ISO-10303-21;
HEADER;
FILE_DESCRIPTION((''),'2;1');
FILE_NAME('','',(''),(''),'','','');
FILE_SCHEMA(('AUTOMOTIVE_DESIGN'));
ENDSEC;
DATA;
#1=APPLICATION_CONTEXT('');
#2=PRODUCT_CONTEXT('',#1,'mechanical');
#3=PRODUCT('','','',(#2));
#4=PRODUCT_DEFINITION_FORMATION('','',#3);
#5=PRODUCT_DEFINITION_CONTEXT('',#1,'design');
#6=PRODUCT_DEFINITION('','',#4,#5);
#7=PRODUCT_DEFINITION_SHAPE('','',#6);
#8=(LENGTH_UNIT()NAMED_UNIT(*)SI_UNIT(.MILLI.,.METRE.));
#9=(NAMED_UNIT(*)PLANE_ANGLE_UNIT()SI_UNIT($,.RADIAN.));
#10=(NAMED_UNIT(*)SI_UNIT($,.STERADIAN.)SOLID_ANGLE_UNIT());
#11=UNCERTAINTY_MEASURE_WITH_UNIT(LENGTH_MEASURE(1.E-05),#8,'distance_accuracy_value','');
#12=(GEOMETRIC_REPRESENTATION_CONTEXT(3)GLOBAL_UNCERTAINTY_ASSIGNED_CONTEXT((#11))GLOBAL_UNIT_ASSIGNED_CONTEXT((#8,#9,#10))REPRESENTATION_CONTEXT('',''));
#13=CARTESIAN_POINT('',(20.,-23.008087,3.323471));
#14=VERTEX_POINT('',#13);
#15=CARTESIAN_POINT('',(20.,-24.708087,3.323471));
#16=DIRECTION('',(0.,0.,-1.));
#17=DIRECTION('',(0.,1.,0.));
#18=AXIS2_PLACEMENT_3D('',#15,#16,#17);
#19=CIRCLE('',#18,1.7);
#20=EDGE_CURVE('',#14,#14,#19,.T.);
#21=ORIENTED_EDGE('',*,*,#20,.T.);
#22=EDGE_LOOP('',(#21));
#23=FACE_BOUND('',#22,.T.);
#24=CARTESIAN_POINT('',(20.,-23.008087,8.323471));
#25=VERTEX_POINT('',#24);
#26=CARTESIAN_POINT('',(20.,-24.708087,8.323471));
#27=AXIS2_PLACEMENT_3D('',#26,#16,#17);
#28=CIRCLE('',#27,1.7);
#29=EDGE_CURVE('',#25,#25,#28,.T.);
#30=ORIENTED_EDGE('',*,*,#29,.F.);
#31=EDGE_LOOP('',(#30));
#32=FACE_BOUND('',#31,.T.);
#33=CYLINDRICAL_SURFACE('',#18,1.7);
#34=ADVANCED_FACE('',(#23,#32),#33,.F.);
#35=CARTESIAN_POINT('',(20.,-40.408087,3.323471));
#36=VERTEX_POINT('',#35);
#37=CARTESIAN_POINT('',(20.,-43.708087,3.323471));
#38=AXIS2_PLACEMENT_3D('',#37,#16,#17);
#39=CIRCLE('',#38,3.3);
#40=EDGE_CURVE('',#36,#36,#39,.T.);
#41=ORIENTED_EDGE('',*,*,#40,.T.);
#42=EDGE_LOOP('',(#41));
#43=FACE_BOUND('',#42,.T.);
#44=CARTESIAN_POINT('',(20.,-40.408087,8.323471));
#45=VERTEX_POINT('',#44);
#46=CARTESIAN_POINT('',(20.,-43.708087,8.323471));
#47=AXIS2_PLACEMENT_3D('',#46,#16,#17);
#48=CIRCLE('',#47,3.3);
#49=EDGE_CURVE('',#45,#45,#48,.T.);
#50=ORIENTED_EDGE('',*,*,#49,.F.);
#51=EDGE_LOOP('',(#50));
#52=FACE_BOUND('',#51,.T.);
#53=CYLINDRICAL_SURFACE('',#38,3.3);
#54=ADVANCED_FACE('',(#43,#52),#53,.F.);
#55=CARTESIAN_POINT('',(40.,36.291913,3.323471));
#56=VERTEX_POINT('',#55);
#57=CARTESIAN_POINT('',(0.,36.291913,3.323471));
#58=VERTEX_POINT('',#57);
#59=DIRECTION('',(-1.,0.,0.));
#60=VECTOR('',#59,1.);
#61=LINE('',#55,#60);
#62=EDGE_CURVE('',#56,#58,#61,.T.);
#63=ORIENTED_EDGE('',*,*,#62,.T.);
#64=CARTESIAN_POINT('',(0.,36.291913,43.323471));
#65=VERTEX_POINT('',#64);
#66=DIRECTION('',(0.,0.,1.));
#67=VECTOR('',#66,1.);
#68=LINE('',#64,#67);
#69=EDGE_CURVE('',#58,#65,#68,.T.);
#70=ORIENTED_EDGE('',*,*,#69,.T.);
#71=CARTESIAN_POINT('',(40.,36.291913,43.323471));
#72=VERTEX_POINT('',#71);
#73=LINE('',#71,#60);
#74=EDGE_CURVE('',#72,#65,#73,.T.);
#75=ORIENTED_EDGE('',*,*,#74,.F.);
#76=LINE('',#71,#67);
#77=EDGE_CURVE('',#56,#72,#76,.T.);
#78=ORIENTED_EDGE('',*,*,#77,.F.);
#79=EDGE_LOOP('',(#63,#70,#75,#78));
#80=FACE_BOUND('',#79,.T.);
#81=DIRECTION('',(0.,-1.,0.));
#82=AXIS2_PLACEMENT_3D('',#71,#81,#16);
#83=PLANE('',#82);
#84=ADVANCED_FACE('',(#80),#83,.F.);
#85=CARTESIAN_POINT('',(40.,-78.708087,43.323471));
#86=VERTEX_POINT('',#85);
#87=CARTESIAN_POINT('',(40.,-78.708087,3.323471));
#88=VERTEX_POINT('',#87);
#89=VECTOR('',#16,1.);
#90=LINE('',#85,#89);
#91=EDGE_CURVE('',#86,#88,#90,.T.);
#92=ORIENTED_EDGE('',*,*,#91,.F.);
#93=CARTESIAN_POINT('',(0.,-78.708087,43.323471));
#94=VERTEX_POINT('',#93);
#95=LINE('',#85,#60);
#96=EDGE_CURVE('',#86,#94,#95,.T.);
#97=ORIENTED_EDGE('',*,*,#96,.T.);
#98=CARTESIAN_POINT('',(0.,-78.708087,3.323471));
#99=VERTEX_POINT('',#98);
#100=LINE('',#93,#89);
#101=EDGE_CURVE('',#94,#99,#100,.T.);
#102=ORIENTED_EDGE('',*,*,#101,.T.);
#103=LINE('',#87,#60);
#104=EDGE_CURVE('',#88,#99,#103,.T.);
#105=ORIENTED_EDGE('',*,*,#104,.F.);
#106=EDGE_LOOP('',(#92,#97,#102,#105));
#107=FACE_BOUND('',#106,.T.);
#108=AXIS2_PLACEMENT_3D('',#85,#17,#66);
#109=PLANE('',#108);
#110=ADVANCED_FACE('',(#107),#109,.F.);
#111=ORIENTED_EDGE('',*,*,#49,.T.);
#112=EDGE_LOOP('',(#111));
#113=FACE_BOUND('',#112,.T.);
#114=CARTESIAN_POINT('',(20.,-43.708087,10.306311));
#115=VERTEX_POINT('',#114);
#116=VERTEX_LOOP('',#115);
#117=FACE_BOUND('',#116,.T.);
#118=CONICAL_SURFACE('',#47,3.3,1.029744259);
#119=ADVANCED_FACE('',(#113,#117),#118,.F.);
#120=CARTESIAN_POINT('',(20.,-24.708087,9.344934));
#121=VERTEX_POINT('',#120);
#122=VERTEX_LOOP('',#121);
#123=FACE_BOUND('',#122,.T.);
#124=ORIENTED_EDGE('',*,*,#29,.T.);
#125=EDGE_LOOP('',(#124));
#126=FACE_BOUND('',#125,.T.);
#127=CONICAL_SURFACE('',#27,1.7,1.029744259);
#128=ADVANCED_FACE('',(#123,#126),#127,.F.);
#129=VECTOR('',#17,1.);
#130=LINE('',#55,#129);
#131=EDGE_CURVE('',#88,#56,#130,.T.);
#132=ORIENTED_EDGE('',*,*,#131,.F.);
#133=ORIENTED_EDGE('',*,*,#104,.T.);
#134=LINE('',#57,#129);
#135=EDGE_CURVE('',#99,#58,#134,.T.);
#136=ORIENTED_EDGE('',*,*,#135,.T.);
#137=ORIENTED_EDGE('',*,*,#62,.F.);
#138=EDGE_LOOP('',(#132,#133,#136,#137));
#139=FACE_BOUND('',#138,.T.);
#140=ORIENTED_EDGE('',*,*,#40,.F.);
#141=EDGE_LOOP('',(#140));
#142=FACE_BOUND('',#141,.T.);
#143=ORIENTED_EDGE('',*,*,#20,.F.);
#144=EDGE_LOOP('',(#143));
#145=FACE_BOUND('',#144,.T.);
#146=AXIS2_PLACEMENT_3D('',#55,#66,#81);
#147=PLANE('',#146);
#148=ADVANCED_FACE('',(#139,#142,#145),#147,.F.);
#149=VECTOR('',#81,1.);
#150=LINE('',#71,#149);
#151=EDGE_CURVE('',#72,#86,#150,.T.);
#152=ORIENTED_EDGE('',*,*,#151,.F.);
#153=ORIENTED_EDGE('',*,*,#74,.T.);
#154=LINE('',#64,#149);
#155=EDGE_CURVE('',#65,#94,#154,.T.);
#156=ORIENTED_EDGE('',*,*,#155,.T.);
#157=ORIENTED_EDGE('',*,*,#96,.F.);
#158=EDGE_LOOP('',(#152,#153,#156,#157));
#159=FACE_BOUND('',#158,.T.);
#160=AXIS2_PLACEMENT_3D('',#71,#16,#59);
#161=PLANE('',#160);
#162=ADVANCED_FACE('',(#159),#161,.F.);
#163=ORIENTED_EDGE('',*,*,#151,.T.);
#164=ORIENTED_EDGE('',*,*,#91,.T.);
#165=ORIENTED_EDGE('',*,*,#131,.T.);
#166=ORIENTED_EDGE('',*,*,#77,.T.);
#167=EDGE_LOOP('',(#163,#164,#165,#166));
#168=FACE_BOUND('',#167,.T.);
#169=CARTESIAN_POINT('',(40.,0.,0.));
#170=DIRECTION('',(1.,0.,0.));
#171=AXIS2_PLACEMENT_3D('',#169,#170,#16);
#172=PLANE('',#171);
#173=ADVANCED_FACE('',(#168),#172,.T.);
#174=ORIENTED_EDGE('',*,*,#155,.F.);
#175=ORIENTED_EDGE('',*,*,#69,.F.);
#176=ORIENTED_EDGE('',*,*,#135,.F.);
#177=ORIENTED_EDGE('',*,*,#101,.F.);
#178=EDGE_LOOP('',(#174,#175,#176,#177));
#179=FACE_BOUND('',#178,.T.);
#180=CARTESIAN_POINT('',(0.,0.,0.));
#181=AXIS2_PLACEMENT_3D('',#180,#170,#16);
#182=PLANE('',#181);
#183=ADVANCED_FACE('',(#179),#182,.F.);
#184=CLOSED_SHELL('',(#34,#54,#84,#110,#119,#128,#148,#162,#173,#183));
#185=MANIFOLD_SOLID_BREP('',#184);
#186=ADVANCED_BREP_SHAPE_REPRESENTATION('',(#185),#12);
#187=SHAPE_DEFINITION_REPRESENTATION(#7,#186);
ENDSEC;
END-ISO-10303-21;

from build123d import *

# Parameters (mm, degrees)
SKETCH_1_W            = 40
SKETCH_1_H            = 115
EXTRUDE_1_DEPTH       = 40
HOLE_WIZARD_M31_D     = 3.4
HOLE_WIZARD_M31_DEPTH = 5
HOLE_WIZARD_M31_TIP   = 1.021463052
HOLE_WIZARD_M61_D     = 6.6
HOLE_WIZARD_M61_DEPTH = 5
HOLE_WIZARD_M61_TIP   = 1.982840043


with BuildPart() as part:
    # Эскиз1 → Бобышка-Вытянуть1 (new body)
    with BuildSketch(Plane(origin=(0, 0, 0), x_dir=(0, 0, -1), z_dir=(1, 0, 0))):
        with Locations((-23.3234714, -21.208086785)):
            Rectangle(SKETCH_1_W, SKETCH_1_H)
    extrude(amount=EXTRUDE_1_DEPTH)

    # Отверстие с зазором M31
    with Locations(Plane(origin=(0, 0, 3.3234714), x_dir=(-1, 0, 0), z_dir=(0, 0, -1))):
        with Locations((-20, -24.708086785)):
            Hole(HOLE_WIZARD_M31_D / 2, depth=HOLE_WIZARD_M31_DEPTH)
            with Locations((0, 0, -(HOLE_WIZARD_M31_DEPTH + HOLE_WIZARD_M31_TIP / 2))):  # 118° drill point
                Cone(0, HOLE_WIZARD_M31_D / 2, HOLE_WIZARD_M31_TIP, mode=Mode.SUBTRACT)

    # Отверстие с зазором M61
    with Locations(Plane(origin=(0, 0, 3.3234714), x_dir=(-1, 0, 0), z_dir=(0, 0, -1))):
        with Locations((-20, -43.708086785)):
            Hole(HOLE_WIZARD_M61_D / 2, depth=HOLE_WIZARD_M61_DEPTH)
            with Locations((0, 0, -(HOLE_WIZARD_M61_DEPTH + HOLE_WIZARD_M61_TIP / 2))):  # 118° drill point
                Cone(0, HOLE_WIZARD_M61_D / 2, HOLE_WIZARD_M61_TIP, mode=Mode.SUBTRACT)


solid = part.part
